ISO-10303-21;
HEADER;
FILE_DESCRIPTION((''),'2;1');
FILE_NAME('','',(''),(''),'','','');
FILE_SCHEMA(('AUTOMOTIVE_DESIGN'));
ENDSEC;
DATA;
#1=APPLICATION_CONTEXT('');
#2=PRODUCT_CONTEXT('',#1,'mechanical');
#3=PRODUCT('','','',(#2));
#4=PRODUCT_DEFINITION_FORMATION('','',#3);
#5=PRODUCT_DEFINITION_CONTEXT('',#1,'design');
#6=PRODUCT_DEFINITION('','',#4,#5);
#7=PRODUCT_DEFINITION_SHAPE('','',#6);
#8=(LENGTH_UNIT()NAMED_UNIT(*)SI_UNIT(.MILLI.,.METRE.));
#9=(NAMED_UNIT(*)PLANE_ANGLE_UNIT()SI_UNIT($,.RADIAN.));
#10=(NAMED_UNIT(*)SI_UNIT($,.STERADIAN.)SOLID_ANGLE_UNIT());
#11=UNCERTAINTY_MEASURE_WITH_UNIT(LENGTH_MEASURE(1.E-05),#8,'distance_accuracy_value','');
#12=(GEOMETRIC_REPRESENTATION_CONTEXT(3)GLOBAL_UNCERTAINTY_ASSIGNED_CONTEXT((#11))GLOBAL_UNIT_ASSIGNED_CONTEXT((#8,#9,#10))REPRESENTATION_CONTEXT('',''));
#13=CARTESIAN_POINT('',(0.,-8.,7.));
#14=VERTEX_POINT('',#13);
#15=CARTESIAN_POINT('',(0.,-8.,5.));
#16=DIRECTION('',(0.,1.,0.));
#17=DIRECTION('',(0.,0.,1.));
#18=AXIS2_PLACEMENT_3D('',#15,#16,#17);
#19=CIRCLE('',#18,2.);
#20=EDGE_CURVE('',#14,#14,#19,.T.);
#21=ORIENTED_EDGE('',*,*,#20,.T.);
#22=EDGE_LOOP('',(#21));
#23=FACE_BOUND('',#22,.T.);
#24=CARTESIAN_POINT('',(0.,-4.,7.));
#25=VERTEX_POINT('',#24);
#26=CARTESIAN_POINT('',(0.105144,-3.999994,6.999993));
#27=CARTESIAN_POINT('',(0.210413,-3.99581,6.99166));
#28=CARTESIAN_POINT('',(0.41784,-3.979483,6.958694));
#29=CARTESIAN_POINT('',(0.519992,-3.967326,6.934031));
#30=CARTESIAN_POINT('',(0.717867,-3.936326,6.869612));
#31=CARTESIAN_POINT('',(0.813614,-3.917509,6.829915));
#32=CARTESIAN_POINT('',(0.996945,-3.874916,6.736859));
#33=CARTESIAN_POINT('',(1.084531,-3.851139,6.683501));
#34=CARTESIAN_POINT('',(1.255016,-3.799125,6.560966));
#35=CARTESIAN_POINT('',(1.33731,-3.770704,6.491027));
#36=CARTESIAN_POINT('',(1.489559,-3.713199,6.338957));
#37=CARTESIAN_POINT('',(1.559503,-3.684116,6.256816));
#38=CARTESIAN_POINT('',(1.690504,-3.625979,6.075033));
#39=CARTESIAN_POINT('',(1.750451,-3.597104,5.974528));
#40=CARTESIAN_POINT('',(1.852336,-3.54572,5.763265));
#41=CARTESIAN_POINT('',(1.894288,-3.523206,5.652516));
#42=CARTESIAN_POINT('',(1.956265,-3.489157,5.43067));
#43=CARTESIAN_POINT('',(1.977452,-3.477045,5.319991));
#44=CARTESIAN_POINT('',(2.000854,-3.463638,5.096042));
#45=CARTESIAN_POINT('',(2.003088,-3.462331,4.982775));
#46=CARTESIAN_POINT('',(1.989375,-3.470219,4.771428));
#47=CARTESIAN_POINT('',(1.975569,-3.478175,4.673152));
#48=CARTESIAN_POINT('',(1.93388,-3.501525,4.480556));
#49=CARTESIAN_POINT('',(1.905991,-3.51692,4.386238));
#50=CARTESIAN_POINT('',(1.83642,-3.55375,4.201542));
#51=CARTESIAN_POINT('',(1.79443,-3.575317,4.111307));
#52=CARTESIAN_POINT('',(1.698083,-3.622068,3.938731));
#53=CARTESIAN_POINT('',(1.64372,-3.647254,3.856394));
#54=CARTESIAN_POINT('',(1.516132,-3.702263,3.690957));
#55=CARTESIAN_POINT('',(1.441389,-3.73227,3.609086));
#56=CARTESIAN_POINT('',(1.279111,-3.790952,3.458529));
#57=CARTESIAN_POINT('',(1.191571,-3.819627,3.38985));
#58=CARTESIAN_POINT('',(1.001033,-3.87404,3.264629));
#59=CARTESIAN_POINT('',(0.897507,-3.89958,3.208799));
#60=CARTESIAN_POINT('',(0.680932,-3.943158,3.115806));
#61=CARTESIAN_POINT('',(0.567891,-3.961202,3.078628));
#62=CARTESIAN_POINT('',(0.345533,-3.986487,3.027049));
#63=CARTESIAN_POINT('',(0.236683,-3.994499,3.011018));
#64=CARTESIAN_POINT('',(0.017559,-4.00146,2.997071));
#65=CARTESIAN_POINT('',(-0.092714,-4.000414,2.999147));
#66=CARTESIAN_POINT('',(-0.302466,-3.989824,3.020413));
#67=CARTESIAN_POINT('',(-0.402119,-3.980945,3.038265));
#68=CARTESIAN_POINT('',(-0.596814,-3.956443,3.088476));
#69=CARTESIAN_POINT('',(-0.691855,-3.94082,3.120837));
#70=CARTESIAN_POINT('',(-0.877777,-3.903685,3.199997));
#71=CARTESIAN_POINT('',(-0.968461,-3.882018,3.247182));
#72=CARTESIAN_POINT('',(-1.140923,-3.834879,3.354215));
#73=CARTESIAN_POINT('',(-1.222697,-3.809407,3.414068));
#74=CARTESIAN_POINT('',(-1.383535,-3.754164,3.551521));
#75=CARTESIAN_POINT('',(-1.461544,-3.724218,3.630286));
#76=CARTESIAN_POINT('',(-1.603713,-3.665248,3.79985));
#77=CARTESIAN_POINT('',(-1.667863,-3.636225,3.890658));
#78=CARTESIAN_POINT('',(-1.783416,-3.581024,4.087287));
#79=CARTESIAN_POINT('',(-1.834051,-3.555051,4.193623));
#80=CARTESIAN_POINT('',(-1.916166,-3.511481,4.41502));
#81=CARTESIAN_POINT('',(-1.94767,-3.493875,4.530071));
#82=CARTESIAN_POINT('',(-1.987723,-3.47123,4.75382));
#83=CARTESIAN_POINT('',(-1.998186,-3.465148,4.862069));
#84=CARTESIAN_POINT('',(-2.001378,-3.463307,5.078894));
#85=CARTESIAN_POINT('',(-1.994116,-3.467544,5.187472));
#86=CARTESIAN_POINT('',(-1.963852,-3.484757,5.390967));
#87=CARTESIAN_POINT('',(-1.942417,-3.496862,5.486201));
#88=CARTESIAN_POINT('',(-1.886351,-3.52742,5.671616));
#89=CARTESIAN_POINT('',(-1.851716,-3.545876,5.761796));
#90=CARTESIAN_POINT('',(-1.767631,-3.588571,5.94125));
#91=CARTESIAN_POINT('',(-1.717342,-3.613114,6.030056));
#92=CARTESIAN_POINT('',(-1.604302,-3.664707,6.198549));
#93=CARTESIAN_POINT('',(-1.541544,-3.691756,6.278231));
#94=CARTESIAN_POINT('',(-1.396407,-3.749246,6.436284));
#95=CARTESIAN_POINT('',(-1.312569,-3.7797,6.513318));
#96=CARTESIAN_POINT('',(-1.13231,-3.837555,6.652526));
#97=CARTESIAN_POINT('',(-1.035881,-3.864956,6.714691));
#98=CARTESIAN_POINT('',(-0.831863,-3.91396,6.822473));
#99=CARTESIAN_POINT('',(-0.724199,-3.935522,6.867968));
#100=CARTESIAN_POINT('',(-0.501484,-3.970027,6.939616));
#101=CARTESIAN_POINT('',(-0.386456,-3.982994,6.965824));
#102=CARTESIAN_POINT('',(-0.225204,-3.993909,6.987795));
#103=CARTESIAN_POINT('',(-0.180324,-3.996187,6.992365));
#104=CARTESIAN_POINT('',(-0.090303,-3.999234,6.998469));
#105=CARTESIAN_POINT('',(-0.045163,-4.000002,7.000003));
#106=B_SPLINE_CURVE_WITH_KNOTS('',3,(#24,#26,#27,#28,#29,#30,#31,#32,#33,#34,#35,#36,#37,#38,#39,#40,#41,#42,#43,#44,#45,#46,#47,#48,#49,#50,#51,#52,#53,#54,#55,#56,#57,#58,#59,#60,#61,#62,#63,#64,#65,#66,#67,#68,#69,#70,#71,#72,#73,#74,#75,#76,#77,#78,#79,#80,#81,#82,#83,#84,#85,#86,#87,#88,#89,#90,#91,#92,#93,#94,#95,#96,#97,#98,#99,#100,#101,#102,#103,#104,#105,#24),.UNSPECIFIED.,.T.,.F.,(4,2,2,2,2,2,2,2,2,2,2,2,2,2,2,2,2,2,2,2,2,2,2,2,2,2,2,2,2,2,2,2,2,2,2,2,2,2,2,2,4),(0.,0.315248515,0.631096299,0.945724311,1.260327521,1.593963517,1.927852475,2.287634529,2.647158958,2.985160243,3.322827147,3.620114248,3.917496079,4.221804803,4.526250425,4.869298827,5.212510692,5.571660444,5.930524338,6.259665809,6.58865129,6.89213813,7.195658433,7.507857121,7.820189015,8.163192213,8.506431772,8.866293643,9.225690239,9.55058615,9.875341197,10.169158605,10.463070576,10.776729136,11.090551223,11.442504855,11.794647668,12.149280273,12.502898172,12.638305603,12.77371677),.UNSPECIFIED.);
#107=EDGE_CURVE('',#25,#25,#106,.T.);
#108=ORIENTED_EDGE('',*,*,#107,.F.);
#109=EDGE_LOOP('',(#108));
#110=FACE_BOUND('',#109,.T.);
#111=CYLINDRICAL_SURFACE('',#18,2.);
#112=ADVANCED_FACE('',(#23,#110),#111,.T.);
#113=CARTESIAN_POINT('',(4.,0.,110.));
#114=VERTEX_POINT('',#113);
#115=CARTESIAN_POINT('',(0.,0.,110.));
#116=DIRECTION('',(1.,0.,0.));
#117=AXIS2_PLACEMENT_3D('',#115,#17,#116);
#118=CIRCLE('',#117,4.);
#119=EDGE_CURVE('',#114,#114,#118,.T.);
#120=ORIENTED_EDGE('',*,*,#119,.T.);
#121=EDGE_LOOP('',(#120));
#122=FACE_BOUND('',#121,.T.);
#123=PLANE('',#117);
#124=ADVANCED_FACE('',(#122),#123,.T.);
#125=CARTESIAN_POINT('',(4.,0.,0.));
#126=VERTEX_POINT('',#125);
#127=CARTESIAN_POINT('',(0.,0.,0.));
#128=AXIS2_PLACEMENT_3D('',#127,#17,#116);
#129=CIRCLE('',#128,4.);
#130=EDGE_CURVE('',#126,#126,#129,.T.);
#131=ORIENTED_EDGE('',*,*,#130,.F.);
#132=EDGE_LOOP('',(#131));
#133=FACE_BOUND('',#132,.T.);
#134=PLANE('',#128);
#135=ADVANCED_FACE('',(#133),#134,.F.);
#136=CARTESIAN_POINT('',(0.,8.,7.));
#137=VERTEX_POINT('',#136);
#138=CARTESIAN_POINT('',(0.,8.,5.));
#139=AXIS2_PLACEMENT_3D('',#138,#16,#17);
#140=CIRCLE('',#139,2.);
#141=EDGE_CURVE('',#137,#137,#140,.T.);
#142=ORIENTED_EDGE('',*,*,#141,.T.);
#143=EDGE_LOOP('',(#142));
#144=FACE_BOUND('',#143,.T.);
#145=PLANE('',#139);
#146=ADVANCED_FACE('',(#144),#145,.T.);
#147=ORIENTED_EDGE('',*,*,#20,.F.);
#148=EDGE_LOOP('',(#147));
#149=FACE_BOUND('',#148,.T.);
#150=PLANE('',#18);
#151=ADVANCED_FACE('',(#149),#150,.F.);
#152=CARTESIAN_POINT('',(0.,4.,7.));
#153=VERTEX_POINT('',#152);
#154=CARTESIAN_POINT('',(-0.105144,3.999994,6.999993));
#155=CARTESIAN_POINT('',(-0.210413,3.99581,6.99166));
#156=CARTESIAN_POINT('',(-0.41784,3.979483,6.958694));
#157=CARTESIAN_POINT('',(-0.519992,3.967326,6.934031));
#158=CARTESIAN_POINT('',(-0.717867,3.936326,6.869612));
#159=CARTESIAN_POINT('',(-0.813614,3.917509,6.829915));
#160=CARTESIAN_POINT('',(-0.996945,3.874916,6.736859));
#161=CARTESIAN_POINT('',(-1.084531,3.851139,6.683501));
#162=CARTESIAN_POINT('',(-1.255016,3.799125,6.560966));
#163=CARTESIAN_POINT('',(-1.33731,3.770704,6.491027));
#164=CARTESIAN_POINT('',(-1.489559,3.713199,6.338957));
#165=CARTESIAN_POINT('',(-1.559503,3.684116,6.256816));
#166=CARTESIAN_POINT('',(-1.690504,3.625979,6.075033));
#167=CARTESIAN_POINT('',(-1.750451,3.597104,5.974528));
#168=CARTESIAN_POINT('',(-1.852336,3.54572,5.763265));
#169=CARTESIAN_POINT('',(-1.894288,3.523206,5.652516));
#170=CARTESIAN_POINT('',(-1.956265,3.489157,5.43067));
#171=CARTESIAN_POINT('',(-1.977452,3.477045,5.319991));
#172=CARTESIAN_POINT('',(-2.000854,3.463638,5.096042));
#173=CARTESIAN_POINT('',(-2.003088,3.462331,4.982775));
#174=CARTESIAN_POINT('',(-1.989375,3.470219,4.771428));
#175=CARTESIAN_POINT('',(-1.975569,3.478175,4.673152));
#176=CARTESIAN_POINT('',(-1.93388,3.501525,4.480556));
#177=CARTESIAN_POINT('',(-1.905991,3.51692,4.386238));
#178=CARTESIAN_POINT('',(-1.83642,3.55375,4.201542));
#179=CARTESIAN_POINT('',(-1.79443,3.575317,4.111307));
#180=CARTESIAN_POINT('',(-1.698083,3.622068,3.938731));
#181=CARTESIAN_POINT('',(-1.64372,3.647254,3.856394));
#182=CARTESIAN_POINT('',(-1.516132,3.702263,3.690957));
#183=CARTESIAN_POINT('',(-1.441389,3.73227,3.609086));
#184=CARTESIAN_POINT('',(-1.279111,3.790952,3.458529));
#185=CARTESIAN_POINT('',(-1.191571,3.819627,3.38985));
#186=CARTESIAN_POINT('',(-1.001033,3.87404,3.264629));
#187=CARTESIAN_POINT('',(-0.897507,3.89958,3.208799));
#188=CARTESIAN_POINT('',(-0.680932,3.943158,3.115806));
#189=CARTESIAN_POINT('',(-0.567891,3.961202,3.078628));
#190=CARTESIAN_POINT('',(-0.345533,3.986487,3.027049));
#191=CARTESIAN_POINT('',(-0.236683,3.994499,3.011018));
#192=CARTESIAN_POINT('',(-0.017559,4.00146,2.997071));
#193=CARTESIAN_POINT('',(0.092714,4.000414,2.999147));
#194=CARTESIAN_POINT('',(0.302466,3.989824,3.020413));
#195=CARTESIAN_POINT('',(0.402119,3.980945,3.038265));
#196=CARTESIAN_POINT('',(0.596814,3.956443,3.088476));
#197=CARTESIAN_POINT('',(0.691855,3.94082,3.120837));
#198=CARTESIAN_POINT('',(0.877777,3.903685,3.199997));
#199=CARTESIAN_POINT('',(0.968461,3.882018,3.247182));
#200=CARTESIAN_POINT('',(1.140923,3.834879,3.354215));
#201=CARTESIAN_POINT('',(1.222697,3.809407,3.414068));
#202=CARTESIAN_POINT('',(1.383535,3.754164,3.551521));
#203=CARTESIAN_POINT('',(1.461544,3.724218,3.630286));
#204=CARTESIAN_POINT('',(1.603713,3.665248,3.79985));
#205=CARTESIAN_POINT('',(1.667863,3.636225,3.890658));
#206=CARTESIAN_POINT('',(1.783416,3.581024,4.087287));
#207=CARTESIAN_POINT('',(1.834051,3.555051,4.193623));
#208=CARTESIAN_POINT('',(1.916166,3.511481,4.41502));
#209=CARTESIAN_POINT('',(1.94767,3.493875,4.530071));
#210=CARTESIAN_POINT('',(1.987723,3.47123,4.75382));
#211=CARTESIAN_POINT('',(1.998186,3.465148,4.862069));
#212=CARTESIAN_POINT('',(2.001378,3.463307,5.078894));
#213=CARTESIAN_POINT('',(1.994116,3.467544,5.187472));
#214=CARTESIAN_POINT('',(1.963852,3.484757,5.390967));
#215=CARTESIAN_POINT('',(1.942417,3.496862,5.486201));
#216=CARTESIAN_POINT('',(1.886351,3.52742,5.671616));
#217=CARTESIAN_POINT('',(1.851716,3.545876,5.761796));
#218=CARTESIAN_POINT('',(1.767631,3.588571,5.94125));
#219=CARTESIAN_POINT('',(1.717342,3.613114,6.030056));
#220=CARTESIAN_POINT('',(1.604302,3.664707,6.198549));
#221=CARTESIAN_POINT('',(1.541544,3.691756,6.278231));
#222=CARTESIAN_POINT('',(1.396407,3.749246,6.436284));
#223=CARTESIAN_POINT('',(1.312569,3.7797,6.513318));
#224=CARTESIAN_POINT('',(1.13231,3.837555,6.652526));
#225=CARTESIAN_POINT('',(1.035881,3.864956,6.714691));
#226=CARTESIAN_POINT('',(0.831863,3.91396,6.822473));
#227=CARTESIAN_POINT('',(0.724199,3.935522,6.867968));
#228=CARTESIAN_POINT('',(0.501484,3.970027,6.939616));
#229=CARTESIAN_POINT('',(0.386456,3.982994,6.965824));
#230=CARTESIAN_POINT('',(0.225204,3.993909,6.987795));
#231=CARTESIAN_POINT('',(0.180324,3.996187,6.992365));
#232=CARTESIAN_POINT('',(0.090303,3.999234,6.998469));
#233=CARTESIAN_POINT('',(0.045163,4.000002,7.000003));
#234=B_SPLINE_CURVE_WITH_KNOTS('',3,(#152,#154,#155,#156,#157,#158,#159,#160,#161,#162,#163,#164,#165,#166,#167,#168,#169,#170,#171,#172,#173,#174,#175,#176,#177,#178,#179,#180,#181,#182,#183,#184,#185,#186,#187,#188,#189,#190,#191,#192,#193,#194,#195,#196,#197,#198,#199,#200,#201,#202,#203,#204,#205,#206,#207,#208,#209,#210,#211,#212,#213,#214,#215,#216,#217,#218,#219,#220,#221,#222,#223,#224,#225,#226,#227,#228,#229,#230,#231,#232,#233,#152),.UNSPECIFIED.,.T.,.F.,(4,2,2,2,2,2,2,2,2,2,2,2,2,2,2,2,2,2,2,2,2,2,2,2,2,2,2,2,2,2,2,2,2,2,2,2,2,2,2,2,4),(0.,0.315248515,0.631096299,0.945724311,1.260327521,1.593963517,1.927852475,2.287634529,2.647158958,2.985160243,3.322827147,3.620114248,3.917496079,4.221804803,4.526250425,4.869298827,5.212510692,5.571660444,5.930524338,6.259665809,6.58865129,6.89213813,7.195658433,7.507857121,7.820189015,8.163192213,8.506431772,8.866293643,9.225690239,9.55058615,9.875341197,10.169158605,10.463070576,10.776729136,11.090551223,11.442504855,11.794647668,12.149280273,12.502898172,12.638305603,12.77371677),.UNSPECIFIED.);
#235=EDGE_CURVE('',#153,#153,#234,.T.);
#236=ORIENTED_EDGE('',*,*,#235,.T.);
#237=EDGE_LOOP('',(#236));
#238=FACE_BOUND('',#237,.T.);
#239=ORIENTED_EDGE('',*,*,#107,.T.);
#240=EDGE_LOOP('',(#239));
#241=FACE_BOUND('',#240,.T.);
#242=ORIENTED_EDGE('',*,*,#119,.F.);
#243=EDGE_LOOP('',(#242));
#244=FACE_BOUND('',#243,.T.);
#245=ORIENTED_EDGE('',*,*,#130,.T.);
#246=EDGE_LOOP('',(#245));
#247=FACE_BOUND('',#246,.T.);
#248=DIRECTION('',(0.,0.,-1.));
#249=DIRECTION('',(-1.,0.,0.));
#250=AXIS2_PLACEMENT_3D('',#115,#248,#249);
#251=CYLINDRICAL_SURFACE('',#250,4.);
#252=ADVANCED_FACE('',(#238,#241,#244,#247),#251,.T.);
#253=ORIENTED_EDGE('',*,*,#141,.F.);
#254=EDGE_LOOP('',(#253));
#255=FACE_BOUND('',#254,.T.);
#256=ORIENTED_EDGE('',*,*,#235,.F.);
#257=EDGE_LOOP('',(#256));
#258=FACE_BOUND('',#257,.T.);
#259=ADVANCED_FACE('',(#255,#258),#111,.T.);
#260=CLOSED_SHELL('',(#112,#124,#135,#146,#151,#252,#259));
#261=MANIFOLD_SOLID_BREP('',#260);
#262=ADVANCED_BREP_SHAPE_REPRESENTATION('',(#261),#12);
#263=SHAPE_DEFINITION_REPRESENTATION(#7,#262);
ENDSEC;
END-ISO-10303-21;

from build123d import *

# Parameters (mm, degrees)
SKETCH1_R                = 4
BOSS_EXTRUDE1_DEPTH      = 110
BOSS_EXTRUDE2_DEPTH      = 8
BOSS_EXTRUDE2_DEPTH_BACK = 8
SKETCH2_R                = 2


with BuildPart() as part:
    # Sketch1 → Boss-Extrude1 (new body)
    with BuildSketch(Plane.XY):
        Circle(SKETCH1_R)
    extrude(amount=BOSS_EXTRUDE1_DEPTH)

    # Sketch2 → Boss-Extrude2 (add, two sides: drawn at the far end of the back side and taken through both)
    with BuildSketch(Plane(origin=(0, 0, 0), x_dir=(1, 0, 0), z_dir=(0, 1, 0)).offset(-BOSS_EXTRUDE2_DEPTH_BACK)):
        with Locations((0, -5)):
            Circle(SKETCH2_R)
    extrude(amount=BOSS_EXTRUDE2_DEPTH + BOSS_EXTRUDE2_DEPTH_BACK)


solid = part.part
